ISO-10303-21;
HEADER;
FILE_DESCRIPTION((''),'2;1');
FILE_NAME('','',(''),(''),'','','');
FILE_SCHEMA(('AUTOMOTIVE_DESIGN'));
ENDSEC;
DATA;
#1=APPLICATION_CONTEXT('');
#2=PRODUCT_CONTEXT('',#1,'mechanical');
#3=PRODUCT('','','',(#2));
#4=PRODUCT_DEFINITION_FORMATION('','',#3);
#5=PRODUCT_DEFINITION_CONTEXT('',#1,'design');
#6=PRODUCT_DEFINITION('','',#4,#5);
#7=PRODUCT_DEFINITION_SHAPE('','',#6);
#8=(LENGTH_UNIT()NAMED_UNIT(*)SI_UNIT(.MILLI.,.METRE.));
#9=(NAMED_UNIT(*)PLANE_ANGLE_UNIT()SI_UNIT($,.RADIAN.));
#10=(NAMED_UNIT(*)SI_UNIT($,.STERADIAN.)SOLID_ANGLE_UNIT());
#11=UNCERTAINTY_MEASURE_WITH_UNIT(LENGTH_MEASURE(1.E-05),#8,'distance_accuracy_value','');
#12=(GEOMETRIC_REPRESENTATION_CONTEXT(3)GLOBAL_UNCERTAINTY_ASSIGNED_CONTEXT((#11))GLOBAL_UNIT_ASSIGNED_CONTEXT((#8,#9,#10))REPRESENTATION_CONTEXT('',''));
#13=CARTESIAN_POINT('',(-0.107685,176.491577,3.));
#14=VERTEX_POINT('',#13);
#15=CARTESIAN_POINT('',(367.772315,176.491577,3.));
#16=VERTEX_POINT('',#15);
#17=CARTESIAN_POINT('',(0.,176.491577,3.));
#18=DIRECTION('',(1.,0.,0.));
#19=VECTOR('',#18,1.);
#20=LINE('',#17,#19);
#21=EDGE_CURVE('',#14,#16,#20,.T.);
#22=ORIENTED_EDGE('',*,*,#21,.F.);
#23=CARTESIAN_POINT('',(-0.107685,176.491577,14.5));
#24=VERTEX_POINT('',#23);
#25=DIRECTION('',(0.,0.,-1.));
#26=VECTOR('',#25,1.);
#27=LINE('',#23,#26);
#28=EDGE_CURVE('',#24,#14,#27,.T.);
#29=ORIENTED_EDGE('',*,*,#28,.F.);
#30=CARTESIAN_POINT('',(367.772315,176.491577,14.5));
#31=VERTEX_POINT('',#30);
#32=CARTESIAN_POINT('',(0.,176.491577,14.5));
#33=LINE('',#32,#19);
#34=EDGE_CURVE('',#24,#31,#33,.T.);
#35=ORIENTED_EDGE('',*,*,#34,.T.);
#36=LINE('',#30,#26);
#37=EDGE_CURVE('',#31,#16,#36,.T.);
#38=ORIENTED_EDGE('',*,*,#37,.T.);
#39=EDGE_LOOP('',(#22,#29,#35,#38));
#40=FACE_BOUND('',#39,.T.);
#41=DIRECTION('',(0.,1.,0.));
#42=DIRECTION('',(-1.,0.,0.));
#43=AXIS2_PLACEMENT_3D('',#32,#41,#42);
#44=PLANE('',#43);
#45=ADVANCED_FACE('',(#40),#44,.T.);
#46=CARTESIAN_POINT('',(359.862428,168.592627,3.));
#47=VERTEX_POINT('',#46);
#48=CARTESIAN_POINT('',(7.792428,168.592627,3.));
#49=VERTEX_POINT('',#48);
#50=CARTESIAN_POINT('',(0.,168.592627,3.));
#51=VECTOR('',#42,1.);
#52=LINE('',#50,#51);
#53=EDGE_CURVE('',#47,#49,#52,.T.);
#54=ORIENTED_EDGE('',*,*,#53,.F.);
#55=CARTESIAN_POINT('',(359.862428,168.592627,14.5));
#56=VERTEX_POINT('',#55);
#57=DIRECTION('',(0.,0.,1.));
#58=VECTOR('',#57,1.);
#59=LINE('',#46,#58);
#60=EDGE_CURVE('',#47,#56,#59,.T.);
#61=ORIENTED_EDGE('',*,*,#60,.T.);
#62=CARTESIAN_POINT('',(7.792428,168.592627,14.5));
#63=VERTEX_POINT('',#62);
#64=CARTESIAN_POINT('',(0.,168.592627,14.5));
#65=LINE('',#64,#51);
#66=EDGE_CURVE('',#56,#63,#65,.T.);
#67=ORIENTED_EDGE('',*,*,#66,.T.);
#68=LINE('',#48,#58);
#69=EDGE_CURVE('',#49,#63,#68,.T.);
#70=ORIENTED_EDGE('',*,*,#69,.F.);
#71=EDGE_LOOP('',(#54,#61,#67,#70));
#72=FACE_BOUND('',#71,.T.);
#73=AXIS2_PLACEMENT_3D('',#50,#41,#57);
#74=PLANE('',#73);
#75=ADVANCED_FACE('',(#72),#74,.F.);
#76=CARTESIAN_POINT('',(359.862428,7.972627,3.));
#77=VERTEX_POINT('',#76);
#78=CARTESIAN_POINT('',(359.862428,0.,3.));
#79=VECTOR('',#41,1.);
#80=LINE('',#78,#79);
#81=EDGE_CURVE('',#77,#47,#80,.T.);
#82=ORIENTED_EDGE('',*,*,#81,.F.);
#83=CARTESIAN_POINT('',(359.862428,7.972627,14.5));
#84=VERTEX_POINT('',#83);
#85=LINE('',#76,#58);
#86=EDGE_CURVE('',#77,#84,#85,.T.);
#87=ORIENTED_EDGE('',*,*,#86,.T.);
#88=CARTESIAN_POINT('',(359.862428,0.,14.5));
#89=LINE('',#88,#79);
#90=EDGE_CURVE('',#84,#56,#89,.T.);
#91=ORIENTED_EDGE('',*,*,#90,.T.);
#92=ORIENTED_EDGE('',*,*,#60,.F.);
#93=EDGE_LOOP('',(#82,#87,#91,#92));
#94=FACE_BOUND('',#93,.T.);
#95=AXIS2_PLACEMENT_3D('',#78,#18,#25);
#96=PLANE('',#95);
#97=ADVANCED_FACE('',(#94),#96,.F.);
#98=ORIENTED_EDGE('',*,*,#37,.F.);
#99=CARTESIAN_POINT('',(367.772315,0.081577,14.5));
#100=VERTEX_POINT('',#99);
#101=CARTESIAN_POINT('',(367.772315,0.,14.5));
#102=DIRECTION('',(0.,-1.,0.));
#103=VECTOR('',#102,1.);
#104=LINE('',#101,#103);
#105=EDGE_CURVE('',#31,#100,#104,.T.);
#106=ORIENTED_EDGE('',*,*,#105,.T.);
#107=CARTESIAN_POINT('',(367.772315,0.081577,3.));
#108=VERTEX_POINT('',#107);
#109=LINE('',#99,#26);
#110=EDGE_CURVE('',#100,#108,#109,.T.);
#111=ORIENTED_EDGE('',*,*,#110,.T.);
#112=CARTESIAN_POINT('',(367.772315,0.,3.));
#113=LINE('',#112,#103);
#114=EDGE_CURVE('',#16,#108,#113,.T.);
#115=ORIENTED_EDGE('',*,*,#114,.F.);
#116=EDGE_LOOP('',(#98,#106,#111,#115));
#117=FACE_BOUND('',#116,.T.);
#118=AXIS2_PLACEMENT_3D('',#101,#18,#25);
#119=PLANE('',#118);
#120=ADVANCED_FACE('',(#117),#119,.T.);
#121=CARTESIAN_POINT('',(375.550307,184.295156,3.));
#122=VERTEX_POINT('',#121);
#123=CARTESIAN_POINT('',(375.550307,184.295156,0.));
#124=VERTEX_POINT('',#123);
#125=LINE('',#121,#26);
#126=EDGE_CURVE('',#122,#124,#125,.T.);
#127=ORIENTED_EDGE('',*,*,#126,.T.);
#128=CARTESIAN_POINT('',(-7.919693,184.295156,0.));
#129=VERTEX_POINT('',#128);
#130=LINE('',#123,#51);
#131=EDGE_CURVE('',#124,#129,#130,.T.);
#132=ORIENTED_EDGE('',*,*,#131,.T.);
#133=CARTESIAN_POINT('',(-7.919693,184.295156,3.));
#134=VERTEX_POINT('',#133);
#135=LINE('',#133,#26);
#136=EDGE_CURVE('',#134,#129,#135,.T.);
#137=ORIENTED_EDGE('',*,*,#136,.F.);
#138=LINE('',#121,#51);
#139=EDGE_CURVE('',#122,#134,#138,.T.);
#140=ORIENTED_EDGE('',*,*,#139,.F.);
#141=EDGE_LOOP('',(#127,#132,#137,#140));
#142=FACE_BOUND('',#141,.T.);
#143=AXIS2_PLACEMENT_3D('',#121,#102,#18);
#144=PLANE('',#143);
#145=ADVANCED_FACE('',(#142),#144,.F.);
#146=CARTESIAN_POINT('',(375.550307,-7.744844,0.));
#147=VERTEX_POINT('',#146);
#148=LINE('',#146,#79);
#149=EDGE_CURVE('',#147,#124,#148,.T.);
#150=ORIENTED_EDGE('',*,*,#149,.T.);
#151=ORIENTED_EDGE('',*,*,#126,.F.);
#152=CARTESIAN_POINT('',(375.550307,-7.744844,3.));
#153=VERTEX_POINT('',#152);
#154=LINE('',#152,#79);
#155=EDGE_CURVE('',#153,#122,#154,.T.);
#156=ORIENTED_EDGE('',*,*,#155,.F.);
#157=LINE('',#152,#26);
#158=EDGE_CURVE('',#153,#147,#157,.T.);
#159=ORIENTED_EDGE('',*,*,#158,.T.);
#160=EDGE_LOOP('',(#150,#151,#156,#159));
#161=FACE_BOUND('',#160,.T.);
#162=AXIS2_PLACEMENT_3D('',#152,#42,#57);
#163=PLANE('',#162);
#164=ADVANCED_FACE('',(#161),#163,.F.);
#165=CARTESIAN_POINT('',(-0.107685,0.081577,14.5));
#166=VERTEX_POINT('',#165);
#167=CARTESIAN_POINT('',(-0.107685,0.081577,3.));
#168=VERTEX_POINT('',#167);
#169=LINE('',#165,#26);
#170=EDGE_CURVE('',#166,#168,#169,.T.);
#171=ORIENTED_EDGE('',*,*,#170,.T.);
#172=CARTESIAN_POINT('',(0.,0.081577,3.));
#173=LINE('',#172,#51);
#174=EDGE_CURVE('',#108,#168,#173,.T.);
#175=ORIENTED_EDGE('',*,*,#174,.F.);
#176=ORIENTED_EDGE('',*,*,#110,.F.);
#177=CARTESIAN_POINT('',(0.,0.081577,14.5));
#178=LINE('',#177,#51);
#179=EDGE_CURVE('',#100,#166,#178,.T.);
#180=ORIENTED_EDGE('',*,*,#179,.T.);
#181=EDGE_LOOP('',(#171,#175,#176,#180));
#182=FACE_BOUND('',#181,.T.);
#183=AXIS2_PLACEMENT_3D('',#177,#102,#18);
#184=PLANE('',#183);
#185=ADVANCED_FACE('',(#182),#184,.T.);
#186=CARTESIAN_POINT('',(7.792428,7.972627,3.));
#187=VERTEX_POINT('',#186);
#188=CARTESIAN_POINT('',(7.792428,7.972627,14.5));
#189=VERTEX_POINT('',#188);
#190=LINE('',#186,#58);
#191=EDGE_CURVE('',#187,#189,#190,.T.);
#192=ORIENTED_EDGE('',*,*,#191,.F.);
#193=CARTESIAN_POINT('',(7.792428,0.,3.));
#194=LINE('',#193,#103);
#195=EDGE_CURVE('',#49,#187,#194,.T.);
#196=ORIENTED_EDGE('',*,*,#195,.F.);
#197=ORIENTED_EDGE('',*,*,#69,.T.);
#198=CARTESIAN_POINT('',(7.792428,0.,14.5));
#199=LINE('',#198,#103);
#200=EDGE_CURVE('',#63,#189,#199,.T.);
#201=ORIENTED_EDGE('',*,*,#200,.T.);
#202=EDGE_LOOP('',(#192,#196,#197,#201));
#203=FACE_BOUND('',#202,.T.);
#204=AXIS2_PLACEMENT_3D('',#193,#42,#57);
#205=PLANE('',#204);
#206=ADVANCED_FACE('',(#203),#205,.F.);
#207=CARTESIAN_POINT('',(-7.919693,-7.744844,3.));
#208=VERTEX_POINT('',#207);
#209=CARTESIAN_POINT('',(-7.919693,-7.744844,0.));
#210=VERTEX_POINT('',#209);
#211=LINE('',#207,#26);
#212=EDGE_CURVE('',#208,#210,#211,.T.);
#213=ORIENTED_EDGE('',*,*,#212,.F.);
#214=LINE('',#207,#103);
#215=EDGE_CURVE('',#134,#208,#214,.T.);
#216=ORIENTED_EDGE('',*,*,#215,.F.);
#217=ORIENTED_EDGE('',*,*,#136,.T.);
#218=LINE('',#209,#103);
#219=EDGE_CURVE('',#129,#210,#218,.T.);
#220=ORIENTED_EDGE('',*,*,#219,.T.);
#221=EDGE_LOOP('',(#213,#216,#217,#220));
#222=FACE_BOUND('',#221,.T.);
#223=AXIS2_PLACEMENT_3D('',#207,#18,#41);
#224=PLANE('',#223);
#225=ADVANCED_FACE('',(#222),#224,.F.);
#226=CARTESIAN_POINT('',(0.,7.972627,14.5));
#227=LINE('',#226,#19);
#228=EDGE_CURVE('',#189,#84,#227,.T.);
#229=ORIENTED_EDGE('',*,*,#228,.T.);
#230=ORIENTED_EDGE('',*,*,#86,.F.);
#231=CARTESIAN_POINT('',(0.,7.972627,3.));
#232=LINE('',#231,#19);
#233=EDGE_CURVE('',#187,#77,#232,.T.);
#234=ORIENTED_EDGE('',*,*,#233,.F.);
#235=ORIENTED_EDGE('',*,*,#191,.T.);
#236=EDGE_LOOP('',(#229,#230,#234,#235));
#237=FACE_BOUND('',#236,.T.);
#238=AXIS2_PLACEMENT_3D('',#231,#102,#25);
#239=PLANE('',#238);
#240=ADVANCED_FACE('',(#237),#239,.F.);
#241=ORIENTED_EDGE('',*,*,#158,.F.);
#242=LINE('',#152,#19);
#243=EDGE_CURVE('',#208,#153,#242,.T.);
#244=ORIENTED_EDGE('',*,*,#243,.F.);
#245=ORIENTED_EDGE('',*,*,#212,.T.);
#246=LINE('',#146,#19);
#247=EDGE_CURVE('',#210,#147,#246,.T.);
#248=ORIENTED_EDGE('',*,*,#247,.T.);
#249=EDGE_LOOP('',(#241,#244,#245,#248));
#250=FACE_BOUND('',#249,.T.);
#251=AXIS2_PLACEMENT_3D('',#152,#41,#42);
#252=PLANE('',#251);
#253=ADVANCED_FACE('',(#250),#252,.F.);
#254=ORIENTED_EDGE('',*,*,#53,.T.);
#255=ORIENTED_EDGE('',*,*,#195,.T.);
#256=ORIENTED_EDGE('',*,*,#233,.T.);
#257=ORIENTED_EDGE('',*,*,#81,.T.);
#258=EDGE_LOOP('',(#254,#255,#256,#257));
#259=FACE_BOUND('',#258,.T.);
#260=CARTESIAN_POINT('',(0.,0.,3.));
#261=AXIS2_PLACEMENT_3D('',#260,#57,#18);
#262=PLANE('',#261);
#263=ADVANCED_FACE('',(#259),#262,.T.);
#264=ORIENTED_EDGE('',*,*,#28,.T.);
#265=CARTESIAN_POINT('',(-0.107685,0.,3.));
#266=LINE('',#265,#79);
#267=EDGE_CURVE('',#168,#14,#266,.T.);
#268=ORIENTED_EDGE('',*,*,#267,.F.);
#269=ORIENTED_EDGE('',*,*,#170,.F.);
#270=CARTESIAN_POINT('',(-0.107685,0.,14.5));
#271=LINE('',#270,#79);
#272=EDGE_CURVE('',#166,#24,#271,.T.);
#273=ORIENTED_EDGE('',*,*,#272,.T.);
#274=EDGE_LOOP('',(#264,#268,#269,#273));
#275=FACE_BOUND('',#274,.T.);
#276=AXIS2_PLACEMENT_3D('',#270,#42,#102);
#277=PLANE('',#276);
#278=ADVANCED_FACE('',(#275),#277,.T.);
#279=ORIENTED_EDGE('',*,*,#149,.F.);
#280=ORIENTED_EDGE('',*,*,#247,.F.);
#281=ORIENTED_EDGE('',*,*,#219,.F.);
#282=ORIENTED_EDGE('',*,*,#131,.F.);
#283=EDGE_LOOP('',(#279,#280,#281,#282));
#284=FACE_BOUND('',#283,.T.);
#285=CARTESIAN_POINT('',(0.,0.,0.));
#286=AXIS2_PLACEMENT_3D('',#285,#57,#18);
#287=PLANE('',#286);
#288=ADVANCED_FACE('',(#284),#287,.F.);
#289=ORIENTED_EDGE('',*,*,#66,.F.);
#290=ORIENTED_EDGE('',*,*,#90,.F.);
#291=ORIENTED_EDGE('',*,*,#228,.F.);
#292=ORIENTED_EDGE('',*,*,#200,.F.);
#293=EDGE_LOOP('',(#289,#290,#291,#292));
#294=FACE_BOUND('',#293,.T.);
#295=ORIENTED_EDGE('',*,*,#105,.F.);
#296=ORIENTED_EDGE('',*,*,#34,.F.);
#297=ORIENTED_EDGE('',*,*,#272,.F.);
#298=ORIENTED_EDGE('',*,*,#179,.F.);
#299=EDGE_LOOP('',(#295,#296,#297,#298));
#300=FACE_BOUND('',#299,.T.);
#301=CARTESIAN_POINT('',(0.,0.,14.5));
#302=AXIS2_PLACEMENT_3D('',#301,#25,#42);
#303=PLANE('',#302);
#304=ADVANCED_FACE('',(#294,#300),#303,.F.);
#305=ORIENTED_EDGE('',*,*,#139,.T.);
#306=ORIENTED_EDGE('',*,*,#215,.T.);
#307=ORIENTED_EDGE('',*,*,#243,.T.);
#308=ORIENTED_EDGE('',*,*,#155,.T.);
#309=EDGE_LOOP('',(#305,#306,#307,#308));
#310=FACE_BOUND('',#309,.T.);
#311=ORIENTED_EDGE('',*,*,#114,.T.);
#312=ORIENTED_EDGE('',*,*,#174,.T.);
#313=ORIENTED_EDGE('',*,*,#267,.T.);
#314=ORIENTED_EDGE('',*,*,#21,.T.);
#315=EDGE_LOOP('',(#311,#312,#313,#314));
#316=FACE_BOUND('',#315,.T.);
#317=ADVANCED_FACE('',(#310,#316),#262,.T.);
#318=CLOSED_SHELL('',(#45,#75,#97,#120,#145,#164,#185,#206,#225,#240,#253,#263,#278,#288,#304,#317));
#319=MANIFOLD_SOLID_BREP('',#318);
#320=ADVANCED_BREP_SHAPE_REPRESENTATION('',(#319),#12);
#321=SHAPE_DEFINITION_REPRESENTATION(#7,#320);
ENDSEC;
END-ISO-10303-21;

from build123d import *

# Parameters (mm, degrees)
SKETCH_5_W          = 383.47
SKETCH_5_H          = 192.04
EXTRUDE_2_DEPTH     = 3
EXTRUDE_START       = 3
SKETCH_6_W          = 367.88
SKETCH_6_H          = 176.41
EXTRUDE_3_DEPTH     = 11.5
CUT_EXTRUDE_START   = 14.5
SKETCH_7_W          = 352.07
SKETCH_7_H          = 160.62
CUT_EXTRUDE_1_DEPTH = 11.5


with BuildPart() as part:
    # 草图5 → 凸台-拉伸2 (new body)
    with BuildSketch(Plane.XY):
        with Locations((183.815306963, 88.27515573)):
            Rectangle(SKETCH_5_W, SKETCH_5_H)
    extrude(amount=EXTRUDE_2_DEPTH)

    # 草图6 → 凸台-拉伸3 (add)
    with BuildSketch(Plane.XY.offset(EXTRUDE_START)):
        with Locations((183.832314811, 88.286576554)):
            Rectangle(SKETCH_6_W, SKETCH_6_H)
    extrude(amount=EXTRUDE_3_DEPTH)

    # 草图7 → 切除-拉伸1 (cut)
    with BuildSketch(Plane.XY.offset(CUT_EXTRUDE_START)):
        with Locations((183.827427543, 88.282627)):
            Rectangle(SKETCH_7_W, SKETCH_7_H)
    extrude(amount=-CUT_EXTRUDE_1_DEPTH, mode=Mode.SUBTRACT)


solid = part.part
